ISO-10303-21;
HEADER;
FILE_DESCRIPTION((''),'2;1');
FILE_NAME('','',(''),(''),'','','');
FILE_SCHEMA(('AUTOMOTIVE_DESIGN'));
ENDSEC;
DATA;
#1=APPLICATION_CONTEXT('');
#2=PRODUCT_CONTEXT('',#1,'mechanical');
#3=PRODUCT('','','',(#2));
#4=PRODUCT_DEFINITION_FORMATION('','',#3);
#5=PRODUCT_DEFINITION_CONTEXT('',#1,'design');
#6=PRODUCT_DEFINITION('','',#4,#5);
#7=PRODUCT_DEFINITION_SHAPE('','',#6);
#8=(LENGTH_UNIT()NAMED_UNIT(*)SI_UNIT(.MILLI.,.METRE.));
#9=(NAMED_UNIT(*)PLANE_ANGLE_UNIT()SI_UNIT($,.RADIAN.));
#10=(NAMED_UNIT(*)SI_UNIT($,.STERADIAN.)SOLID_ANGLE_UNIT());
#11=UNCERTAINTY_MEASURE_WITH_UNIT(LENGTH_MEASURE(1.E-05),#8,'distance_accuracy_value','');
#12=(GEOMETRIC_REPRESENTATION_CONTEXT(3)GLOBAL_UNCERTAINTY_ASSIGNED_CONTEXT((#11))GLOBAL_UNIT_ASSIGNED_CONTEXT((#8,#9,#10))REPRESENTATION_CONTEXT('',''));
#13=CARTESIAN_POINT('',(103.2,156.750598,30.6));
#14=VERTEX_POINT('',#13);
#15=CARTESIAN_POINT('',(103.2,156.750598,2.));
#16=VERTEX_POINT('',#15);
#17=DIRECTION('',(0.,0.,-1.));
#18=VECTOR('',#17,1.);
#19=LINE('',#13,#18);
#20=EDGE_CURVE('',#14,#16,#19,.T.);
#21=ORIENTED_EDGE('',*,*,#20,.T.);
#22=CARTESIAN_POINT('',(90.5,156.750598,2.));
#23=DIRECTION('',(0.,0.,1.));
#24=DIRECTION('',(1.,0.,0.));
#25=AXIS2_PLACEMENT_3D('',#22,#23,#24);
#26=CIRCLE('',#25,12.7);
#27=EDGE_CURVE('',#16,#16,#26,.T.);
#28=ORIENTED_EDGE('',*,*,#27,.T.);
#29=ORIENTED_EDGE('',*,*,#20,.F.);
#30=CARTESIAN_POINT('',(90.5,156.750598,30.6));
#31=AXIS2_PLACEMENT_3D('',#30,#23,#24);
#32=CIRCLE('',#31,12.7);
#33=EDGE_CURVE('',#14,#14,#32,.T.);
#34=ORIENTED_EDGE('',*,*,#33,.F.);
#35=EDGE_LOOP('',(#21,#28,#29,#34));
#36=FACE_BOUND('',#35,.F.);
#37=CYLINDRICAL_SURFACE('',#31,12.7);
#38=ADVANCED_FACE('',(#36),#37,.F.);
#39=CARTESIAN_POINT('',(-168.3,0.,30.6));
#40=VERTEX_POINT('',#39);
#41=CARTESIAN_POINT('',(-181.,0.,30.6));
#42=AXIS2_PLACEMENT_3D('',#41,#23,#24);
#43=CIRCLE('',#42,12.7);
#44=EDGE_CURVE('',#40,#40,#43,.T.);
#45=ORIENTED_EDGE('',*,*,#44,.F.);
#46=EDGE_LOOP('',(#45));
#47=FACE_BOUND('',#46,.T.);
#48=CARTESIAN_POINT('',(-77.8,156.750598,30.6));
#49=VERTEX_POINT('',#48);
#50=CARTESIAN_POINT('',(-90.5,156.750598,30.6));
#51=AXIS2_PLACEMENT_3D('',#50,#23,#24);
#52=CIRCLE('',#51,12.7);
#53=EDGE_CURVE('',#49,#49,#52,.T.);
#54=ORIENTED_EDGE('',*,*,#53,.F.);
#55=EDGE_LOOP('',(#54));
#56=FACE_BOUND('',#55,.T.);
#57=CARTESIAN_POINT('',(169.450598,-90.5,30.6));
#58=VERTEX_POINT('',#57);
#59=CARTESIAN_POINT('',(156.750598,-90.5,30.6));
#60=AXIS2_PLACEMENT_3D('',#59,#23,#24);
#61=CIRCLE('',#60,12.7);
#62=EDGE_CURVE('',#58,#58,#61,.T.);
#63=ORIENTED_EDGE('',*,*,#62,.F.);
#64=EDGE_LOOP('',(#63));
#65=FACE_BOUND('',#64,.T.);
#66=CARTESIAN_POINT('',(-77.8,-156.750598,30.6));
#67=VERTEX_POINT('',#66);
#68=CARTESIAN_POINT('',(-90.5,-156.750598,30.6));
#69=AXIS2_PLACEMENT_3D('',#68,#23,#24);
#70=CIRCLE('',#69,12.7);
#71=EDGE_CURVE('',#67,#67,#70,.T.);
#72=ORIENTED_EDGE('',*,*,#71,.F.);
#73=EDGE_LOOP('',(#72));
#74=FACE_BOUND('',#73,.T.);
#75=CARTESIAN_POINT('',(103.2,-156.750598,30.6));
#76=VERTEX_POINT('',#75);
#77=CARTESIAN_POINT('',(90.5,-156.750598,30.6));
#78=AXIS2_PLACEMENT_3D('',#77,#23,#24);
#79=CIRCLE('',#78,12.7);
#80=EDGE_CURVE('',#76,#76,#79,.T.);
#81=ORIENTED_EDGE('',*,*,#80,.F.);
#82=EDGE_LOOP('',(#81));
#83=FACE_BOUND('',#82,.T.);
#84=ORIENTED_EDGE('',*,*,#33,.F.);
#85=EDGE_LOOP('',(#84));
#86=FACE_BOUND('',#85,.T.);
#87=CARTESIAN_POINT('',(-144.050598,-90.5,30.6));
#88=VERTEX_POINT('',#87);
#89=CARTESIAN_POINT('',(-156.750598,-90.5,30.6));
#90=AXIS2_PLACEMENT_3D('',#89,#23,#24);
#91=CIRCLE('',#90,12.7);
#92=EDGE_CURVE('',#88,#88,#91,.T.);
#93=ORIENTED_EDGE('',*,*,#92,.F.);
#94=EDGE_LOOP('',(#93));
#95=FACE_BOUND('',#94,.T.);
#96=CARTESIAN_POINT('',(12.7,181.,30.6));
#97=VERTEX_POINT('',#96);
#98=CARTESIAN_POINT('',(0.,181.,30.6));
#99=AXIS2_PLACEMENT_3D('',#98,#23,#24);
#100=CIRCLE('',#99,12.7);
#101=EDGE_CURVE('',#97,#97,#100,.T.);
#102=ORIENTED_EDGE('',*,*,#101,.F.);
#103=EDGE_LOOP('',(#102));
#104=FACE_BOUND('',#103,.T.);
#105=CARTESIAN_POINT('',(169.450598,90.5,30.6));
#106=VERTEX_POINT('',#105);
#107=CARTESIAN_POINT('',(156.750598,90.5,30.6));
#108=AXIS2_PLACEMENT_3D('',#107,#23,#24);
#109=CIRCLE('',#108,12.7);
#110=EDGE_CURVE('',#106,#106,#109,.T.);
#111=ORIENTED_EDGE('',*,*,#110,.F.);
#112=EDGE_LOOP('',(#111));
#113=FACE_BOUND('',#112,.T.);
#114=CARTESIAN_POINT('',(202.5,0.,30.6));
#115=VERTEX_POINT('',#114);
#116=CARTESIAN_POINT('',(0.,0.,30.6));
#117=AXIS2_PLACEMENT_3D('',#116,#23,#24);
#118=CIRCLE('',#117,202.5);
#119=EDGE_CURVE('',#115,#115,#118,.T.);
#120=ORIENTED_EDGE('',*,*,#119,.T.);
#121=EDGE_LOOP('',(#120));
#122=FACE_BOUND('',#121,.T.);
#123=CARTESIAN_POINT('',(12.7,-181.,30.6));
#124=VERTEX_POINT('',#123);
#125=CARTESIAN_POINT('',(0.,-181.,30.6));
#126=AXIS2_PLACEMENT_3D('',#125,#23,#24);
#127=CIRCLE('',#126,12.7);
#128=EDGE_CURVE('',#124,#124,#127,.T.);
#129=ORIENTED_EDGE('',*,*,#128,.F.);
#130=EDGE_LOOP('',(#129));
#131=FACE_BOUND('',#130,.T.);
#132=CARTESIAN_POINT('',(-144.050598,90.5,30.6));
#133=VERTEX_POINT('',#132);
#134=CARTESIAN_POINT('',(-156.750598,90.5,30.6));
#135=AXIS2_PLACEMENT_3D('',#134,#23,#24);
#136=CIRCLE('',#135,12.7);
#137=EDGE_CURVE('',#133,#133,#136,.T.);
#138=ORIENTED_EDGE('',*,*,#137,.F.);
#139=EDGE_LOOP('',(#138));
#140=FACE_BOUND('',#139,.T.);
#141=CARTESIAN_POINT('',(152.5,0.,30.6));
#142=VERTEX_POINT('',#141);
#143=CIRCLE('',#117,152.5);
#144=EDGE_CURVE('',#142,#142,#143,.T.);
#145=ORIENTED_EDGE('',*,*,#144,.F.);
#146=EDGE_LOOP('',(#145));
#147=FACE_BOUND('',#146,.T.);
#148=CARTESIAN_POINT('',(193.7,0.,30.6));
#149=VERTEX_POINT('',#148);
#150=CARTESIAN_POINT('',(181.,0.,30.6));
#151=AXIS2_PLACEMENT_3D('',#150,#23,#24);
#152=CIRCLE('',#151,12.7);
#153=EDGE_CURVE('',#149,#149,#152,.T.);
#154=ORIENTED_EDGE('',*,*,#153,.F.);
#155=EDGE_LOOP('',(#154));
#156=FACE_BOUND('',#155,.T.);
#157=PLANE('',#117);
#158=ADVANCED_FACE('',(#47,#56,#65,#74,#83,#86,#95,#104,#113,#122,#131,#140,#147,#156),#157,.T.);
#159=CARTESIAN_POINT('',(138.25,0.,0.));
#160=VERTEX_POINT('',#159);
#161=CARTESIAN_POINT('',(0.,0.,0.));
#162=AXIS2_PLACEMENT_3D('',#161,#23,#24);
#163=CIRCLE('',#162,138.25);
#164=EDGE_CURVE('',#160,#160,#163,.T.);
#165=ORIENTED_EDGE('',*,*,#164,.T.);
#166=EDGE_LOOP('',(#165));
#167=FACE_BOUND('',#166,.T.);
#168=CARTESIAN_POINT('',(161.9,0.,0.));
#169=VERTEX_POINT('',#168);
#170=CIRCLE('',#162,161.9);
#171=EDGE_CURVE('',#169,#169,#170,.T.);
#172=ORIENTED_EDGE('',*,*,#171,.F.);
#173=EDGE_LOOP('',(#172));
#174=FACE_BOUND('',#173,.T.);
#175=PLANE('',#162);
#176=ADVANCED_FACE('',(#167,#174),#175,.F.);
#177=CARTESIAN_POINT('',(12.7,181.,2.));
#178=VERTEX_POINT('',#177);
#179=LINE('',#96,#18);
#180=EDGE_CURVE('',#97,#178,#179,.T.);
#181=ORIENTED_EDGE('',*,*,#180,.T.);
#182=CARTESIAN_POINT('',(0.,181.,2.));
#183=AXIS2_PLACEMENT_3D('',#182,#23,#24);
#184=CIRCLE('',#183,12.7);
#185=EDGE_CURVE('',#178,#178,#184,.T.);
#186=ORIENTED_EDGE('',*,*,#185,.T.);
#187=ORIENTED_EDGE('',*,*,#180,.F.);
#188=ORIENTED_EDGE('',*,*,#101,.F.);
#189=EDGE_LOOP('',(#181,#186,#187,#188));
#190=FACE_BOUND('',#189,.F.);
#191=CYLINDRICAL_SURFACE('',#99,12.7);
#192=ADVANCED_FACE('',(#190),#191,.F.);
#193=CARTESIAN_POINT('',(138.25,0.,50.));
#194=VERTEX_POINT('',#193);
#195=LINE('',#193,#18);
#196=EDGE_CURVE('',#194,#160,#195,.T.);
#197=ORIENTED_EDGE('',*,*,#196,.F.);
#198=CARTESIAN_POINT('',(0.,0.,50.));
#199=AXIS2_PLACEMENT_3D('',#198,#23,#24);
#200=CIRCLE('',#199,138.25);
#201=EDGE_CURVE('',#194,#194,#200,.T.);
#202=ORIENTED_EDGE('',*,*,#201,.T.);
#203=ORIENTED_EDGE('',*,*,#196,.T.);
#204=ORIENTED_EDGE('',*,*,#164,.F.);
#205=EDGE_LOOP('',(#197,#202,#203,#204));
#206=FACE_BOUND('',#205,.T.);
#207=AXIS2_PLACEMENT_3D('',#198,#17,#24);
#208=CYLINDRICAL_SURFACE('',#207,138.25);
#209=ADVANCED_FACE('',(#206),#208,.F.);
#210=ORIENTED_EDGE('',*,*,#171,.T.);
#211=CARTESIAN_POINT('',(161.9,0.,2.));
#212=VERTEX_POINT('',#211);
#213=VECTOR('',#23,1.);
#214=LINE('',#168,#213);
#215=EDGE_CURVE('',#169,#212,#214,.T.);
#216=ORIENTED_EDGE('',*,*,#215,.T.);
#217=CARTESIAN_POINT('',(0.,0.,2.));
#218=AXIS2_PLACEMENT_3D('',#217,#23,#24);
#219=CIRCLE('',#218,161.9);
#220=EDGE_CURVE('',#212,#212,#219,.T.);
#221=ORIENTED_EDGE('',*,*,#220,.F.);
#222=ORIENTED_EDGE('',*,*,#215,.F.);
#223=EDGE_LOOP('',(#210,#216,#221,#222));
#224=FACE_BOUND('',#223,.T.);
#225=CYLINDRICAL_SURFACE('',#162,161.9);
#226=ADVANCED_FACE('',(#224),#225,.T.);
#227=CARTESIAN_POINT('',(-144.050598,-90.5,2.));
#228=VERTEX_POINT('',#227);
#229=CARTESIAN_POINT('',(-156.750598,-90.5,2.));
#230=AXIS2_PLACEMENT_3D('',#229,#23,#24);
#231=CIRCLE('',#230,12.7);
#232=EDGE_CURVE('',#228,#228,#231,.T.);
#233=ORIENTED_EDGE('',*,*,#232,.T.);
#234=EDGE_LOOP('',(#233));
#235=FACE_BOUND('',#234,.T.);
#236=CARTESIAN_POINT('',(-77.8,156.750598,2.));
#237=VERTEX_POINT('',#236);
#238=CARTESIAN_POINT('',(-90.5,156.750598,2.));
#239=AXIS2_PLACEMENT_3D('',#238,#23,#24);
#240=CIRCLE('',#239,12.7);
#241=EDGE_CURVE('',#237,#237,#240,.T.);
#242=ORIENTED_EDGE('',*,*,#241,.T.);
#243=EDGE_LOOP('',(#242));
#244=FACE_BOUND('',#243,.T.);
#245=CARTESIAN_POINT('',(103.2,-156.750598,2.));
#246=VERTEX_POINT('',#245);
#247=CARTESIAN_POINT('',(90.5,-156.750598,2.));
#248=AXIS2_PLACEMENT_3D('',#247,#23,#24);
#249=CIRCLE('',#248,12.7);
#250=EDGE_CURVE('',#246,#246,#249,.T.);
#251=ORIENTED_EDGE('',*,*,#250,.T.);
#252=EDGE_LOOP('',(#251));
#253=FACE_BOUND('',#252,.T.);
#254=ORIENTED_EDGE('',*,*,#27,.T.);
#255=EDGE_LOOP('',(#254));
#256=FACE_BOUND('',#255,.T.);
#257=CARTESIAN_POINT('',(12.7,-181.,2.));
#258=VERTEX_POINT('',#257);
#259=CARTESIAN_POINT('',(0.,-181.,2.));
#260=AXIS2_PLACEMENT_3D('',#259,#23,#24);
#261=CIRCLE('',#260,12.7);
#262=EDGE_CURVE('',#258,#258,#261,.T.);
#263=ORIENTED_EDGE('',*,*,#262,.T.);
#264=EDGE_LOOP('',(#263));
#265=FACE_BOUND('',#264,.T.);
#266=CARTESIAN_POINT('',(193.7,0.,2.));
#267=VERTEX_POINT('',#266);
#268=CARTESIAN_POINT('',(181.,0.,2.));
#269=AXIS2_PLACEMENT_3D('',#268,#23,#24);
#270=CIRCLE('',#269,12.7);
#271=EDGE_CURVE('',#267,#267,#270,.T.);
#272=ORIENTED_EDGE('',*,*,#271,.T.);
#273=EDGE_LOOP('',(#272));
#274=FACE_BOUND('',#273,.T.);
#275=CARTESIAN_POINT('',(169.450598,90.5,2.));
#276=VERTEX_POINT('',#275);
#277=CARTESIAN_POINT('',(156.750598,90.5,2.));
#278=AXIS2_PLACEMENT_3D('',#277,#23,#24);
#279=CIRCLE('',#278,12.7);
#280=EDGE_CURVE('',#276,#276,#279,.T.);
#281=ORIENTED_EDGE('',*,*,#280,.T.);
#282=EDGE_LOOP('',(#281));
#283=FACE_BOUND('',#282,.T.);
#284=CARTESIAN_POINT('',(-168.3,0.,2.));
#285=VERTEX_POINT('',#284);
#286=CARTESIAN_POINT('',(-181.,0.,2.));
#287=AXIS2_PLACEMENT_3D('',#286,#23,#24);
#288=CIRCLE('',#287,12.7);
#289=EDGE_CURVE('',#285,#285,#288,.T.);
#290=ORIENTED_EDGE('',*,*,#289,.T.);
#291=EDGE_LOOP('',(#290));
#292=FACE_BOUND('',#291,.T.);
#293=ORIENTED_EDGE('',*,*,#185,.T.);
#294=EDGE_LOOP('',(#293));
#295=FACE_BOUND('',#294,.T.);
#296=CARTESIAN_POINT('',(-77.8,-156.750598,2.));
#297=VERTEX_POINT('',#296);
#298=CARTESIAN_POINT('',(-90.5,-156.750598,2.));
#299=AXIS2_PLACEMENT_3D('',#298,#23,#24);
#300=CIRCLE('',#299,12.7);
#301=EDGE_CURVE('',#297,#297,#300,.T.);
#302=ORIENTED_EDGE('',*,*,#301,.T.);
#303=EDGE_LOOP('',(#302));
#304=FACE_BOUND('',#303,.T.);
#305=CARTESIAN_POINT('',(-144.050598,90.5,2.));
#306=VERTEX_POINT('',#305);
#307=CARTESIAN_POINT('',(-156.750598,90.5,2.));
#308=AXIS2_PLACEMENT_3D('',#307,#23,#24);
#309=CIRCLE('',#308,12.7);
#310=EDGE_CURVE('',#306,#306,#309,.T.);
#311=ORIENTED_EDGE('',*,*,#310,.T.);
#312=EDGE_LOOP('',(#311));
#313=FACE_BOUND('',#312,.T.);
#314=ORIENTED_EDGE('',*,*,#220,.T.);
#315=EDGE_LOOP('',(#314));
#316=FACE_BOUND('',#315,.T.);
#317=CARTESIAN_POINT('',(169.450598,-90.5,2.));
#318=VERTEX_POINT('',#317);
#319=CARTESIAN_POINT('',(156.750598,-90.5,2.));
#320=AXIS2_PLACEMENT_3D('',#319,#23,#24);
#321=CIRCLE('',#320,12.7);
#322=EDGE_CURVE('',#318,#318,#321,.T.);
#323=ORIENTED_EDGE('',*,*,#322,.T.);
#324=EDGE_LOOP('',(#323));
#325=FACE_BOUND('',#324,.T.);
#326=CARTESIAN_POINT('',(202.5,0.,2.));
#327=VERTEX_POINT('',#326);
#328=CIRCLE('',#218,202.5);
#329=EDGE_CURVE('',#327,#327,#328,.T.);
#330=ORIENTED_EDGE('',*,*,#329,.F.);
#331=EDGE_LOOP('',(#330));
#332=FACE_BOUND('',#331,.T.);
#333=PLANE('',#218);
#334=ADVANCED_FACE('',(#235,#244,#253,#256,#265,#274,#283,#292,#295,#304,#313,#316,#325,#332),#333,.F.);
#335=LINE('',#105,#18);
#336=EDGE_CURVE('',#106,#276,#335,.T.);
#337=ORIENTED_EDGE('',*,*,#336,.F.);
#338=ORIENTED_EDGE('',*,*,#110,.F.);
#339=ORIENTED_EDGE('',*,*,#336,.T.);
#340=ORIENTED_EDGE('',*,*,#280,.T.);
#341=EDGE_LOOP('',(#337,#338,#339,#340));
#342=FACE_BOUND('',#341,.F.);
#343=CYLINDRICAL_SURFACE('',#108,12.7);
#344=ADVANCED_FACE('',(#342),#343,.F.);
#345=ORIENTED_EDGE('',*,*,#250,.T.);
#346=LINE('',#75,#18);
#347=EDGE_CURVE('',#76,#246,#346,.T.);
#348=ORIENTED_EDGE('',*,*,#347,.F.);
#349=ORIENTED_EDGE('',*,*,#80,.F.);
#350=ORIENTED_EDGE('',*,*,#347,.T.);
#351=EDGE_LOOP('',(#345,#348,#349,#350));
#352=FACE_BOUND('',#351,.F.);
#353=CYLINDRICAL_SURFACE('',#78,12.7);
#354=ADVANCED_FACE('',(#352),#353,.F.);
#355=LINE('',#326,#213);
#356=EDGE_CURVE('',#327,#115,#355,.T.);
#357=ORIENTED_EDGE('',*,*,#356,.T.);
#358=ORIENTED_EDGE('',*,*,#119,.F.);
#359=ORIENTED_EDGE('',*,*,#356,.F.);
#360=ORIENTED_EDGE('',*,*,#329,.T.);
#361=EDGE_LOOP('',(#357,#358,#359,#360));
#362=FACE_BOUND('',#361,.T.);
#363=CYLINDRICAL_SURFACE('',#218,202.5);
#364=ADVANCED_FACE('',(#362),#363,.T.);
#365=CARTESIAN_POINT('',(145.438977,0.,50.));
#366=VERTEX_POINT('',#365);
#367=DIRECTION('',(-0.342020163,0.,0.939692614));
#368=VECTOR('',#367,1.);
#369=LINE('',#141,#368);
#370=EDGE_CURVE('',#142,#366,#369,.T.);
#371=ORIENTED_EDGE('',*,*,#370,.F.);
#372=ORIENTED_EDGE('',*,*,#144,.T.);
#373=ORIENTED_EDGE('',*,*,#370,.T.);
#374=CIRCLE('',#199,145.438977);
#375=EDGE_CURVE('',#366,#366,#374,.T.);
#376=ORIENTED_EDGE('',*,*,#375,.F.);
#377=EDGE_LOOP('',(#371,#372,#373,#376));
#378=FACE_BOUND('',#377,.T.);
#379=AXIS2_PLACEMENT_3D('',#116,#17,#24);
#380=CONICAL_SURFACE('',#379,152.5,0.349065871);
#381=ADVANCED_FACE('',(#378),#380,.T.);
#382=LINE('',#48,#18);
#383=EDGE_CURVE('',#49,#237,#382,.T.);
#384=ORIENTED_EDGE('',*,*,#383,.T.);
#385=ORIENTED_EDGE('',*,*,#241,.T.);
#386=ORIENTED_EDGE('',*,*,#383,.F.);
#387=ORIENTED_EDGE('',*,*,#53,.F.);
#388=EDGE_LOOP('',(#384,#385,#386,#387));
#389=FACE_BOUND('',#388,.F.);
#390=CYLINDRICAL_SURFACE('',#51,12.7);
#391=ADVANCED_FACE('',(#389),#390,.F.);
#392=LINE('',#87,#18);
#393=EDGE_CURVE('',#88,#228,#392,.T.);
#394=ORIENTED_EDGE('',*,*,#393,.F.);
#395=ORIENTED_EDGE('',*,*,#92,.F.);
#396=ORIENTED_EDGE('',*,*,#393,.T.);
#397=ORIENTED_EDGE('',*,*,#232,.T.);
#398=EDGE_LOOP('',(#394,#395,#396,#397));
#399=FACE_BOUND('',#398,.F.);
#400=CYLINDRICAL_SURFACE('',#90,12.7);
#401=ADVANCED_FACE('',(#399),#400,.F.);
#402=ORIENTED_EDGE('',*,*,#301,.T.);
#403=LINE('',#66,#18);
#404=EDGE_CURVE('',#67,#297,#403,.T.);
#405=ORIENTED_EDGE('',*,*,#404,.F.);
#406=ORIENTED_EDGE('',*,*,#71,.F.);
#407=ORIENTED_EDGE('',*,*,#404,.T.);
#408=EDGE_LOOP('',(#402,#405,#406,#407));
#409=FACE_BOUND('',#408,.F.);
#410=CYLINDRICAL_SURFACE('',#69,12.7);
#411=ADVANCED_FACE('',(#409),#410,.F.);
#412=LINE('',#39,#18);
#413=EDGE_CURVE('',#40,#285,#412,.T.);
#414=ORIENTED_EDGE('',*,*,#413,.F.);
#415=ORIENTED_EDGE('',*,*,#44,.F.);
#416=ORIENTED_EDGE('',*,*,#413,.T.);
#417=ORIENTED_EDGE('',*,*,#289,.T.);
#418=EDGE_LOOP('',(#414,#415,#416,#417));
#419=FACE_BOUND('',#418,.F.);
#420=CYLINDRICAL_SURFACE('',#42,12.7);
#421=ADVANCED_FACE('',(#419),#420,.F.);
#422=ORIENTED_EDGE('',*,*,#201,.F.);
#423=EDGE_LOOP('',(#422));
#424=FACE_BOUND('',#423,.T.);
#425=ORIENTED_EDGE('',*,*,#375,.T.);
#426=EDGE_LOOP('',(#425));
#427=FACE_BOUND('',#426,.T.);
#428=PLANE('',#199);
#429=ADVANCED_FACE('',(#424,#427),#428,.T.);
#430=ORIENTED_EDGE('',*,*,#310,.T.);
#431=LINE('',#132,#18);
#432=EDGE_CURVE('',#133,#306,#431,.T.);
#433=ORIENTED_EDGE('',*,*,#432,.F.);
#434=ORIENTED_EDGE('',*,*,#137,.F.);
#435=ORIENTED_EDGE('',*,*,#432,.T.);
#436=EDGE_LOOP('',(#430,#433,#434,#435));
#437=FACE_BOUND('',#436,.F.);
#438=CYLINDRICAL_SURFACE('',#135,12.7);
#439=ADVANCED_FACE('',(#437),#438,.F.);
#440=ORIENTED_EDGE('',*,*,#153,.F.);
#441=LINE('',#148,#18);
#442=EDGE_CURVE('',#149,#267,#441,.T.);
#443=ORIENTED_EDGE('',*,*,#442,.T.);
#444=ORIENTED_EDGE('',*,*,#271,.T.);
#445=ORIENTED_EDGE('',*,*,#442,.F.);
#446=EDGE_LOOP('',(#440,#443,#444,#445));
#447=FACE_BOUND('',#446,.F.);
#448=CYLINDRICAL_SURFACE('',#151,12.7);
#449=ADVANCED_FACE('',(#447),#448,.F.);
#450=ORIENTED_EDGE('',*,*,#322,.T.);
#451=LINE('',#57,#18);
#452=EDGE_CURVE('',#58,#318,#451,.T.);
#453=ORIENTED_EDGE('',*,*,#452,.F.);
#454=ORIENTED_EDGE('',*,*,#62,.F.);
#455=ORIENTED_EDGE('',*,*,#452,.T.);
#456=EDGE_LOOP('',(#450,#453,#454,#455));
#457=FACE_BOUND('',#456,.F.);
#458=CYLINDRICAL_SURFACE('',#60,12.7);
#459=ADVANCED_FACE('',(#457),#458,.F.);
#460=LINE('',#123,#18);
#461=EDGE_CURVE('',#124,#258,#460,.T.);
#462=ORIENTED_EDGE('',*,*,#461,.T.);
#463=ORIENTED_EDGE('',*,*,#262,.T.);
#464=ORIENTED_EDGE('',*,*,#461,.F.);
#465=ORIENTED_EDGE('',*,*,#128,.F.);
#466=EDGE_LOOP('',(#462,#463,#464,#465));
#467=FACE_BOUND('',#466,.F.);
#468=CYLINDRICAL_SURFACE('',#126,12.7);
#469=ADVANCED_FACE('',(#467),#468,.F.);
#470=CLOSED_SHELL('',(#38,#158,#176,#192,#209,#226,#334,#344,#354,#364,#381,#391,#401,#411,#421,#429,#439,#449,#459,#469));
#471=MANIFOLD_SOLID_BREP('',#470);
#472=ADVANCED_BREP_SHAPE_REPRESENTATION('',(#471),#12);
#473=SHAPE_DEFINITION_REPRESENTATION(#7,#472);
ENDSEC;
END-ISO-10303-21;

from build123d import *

# Parameters (mm, degrees)
F2_R     = 12.7
F3_DEPTH = 30.601


with BuildPart() as f1:
    # F0 (on Front) → F1 (revolve)
    with BuildSketch(Plane.XZ):
        Polygon((138.25, 50), (138.25, 0), (161.9, 0), (161.9, 2), (202.5, 2), (202.5, 30.6), (152.5, 30.6), (145.438977, 50), align=None)
    revolve(axis=Axis((0, 0, 25), (0, 0, 1)))

    # F2 (on face) → F3 (cut, through all)
    with BuildSketch(Plane.XY.offset(30.6)):
        with Locations((0, 181)):
            Circle(F2_R)
        with Locations((-90.5, 156.750598)):
            Circle(F2_R)
        with Locations((-156.750598, 90.5)):
            Circle(F2_R)
        with Locations((-181, 0)):
            Circle(F2_R)
        with Locations((-156.750598, -90.5)):
            Circle(F2_R)
        with Locations((-90.5, -156.750598)):
            Circle(F2_R)
        with Locations((0, -181)):
            Circle(F2_R)
        with Locations((90.5, -156.750598)):
            Circle(F2_R)
        with Locations((156.750598, -90.5)):
            Circle(F2_R)
        with Locations((181, 0)):
            Circle(F2_R)
        with Locations((156.750598, 90.5)):
            Circle(F2_R)
        with Locations((90.5, 156.750598)):
            Circle(F2_R)
    extrude(amount=-F3_DEPTH, mode=Mode.SUBTRACT)


solid = f1.part
